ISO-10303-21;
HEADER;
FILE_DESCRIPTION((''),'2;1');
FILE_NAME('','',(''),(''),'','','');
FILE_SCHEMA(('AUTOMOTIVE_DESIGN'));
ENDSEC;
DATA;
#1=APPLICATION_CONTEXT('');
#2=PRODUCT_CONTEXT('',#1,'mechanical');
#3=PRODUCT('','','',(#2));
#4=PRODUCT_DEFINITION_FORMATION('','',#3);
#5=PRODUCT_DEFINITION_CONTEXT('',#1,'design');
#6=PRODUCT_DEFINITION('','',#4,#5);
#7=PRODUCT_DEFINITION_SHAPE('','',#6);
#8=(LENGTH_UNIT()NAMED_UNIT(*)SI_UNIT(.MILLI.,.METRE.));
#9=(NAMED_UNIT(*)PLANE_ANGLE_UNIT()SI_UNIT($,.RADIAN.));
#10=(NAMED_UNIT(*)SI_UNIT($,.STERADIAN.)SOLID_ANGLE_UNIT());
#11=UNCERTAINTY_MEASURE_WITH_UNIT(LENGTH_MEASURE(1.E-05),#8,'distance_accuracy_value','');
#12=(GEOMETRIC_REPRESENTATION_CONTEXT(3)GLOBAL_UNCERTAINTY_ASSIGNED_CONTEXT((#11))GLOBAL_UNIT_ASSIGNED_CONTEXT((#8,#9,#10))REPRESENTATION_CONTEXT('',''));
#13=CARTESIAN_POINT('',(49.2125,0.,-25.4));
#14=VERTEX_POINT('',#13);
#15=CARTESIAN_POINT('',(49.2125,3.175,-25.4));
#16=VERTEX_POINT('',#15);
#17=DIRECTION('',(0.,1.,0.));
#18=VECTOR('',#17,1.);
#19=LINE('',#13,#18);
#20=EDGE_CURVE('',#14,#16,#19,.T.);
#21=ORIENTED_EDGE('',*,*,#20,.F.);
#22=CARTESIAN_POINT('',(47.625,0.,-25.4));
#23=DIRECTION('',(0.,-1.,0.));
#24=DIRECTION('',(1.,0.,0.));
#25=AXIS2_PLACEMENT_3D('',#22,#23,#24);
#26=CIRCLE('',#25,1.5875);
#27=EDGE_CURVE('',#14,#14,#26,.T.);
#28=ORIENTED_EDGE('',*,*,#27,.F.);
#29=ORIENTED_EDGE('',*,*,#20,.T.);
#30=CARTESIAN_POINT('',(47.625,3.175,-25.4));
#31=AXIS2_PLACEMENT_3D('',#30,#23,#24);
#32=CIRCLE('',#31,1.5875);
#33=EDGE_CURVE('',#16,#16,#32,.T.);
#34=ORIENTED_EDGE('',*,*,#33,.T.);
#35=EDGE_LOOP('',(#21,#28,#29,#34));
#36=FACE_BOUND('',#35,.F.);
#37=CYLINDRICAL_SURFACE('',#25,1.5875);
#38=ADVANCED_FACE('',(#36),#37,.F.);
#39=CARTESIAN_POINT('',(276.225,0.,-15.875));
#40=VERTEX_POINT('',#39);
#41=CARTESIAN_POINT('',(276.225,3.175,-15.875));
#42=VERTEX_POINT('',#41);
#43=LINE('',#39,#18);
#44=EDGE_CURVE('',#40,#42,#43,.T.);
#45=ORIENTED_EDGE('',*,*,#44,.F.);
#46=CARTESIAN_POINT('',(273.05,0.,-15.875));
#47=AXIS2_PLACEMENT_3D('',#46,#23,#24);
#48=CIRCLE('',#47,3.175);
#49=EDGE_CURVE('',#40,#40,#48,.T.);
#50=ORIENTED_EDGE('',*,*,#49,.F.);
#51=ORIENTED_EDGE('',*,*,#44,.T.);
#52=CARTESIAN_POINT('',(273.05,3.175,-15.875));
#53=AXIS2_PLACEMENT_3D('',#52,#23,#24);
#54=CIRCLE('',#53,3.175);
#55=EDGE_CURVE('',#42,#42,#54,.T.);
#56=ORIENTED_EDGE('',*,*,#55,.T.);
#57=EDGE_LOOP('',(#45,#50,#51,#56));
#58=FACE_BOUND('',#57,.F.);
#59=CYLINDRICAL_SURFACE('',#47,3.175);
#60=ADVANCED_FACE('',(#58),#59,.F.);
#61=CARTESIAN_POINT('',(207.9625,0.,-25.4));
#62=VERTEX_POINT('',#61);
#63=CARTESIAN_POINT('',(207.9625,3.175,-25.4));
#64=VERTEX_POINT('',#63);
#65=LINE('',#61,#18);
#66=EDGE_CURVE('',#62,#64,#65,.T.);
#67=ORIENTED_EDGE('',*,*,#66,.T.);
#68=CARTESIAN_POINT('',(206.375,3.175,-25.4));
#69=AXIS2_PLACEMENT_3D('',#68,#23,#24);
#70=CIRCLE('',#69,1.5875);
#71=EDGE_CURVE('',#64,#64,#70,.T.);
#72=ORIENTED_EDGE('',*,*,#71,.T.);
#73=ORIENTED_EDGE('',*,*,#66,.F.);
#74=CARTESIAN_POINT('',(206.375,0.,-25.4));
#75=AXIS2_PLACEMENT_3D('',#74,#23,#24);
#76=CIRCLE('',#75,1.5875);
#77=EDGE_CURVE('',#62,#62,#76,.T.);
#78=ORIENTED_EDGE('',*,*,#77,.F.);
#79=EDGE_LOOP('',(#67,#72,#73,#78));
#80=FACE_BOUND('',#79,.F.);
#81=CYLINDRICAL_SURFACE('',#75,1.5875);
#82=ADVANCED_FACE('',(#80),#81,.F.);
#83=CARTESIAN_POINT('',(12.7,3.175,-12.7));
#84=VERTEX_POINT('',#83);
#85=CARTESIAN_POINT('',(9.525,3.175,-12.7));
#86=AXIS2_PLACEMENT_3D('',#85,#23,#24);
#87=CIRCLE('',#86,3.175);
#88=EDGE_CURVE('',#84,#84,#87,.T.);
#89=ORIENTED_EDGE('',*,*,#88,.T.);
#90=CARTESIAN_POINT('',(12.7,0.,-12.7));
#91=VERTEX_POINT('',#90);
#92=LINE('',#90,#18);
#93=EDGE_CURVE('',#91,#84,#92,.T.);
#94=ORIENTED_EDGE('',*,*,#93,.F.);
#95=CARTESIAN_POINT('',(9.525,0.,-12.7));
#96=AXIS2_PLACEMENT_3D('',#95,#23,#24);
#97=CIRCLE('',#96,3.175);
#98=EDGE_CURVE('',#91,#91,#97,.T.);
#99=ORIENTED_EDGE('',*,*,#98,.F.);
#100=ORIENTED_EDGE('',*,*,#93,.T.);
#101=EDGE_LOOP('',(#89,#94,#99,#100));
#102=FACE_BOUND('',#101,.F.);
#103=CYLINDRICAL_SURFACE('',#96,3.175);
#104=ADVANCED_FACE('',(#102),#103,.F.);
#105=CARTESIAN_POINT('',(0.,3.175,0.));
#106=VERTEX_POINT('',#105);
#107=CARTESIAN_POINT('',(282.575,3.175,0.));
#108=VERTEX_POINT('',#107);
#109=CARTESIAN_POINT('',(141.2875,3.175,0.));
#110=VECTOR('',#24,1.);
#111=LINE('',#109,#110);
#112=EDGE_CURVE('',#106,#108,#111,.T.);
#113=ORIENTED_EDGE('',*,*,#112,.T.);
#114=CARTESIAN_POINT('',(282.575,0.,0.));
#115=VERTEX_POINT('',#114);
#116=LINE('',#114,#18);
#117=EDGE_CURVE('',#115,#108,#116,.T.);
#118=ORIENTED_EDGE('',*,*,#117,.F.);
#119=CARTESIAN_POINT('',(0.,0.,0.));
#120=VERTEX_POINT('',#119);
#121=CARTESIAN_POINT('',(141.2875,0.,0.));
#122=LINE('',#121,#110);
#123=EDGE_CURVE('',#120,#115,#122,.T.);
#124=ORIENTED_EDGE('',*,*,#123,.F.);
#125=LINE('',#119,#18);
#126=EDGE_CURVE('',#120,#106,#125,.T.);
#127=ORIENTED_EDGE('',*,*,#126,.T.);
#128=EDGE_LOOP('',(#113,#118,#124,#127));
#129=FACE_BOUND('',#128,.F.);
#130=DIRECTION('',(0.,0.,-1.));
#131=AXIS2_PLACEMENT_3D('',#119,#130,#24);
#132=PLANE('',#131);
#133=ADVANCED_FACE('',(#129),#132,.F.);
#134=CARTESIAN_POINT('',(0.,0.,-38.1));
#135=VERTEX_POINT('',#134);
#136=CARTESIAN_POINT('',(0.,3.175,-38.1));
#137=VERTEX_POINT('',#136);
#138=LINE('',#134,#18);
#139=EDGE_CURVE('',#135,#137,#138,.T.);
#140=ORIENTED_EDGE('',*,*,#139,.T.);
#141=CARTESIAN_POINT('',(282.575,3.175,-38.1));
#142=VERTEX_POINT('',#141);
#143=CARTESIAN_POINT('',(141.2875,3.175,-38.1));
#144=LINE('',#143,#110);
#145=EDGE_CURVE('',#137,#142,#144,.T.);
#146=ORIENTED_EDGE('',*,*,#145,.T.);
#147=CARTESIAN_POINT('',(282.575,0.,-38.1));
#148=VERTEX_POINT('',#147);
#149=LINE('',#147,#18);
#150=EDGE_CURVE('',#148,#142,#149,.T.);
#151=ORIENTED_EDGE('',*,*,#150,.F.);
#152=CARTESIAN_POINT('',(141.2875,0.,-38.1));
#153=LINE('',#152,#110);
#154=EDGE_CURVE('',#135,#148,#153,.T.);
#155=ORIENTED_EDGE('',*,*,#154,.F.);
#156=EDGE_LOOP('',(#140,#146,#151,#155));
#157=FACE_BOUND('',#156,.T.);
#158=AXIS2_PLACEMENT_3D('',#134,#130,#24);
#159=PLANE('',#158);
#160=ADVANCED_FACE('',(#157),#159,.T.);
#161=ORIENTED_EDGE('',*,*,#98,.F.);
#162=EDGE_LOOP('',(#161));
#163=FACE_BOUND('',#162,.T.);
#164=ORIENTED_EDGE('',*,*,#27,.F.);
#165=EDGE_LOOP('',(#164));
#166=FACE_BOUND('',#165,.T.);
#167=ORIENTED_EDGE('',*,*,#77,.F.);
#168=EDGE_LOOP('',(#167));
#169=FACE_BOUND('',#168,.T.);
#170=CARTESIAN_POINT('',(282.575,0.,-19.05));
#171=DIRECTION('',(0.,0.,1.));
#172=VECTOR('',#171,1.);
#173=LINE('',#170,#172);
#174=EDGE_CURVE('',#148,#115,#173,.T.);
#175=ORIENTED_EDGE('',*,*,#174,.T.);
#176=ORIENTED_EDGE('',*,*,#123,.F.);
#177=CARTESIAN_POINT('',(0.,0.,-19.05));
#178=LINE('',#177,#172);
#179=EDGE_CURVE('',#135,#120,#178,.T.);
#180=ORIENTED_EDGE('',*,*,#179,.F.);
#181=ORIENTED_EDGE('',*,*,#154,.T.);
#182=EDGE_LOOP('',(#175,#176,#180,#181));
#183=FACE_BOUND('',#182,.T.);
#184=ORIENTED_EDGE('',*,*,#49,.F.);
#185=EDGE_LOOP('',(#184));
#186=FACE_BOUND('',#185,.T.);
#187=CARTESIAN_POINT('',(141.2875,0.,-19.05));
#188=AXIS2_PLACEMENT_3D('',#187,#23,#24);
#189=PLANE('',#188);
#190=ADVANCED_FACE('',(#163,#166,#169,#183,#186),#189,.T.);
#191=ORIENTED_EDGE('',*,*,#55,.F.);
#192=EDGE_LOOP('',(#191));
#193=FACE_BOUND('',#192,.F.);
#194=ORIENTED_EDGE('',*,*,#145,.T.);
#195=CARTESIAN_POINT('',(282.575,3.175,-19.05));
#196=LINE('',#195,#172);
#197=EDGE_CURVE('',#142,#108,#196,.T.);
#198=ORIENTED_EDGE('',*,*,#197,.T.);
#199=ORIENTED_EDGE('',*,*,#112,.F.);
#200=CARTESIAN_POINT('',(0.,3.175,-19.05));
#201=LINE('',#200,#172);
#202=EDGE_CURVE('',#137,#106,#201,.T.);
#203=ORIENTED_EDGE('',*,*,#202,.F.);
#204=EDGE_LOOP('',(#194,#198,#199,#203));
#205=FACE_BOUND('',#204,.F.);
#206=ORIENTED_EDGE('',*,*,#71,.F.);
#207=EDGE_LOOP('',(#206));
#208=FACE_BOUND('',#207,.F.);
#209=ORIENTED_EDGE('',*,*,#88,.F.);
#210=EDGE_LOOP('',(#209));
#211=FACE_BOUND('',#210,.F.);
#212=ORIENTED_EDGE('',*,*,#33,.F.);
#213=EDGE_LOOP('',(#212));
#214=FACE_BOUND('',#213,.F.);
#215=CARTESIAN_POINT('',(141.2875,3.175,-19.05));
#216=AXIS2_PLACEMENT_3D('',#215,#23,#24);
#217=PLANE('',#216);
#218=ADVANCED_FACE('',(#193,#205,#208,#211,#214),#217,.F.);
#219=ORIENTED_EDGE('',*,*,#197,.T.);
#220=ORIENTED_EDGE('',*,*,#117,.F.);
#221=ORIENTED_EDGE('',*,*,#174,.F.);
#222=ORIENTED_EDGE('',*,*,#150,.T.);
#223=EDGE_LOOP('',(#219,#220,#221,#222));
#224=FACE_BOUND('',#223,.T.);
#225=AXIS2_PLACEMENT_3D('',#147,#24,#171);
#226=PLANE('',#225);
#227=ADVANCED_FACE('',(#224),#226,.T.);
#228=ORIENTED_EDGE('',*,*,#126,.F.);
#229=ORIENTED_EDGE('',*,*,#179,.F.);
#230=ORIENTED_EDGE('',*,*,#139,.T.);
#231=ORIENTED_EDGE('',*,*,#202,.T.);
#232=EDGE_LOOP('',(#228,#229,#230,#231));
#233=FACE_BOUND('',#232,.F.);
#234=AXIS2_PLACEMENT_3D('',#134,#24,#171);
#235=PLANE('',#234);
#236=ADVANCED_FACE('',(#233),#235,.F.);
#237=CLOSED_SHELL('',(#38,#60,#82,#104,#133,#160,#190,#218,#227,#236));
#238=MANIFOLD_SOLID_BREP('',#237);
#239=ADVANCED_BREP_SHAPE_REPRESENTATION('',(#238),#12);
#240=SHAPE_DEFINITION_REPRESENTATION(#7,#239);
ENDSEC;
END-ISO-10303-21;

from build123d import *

# Parameters (mm, degrees)
F0_W     = 282.575
F0_H     = 38.1
F1_DEPTH = 3.175
F2_R     = 3.175
F2_R_2   = 1.5875
F3_DEPTH = 3.176


with BuildPart() as f1:
    # F0 (on Front) → F1 (new body)
    with BuildSketch(Plane.XZ):
        with Locations((141.2875, -19.05)):
            Rectangle(F0_W, F0_H)
    extrude(amount=-F1_DEPTH)

    # F2 (on Front) → F3 (cut, through all)
    with BuildSketch(Plane.XZ):
        with Locations((9.525, -12.7)):
            Circle(F2_R)
        with Locations((273.05, -15.875)):
            Circle(F2_R)
        with Locations((47.625, -25.4)):
            Circle(F2_R_2)
        with Locations((206.375, -25.4)):
            Circle(F2_R_2)
    extrude(amount=-F3_DEPTH, mode=Mode.SUBTRACT)


solid = f1.part
